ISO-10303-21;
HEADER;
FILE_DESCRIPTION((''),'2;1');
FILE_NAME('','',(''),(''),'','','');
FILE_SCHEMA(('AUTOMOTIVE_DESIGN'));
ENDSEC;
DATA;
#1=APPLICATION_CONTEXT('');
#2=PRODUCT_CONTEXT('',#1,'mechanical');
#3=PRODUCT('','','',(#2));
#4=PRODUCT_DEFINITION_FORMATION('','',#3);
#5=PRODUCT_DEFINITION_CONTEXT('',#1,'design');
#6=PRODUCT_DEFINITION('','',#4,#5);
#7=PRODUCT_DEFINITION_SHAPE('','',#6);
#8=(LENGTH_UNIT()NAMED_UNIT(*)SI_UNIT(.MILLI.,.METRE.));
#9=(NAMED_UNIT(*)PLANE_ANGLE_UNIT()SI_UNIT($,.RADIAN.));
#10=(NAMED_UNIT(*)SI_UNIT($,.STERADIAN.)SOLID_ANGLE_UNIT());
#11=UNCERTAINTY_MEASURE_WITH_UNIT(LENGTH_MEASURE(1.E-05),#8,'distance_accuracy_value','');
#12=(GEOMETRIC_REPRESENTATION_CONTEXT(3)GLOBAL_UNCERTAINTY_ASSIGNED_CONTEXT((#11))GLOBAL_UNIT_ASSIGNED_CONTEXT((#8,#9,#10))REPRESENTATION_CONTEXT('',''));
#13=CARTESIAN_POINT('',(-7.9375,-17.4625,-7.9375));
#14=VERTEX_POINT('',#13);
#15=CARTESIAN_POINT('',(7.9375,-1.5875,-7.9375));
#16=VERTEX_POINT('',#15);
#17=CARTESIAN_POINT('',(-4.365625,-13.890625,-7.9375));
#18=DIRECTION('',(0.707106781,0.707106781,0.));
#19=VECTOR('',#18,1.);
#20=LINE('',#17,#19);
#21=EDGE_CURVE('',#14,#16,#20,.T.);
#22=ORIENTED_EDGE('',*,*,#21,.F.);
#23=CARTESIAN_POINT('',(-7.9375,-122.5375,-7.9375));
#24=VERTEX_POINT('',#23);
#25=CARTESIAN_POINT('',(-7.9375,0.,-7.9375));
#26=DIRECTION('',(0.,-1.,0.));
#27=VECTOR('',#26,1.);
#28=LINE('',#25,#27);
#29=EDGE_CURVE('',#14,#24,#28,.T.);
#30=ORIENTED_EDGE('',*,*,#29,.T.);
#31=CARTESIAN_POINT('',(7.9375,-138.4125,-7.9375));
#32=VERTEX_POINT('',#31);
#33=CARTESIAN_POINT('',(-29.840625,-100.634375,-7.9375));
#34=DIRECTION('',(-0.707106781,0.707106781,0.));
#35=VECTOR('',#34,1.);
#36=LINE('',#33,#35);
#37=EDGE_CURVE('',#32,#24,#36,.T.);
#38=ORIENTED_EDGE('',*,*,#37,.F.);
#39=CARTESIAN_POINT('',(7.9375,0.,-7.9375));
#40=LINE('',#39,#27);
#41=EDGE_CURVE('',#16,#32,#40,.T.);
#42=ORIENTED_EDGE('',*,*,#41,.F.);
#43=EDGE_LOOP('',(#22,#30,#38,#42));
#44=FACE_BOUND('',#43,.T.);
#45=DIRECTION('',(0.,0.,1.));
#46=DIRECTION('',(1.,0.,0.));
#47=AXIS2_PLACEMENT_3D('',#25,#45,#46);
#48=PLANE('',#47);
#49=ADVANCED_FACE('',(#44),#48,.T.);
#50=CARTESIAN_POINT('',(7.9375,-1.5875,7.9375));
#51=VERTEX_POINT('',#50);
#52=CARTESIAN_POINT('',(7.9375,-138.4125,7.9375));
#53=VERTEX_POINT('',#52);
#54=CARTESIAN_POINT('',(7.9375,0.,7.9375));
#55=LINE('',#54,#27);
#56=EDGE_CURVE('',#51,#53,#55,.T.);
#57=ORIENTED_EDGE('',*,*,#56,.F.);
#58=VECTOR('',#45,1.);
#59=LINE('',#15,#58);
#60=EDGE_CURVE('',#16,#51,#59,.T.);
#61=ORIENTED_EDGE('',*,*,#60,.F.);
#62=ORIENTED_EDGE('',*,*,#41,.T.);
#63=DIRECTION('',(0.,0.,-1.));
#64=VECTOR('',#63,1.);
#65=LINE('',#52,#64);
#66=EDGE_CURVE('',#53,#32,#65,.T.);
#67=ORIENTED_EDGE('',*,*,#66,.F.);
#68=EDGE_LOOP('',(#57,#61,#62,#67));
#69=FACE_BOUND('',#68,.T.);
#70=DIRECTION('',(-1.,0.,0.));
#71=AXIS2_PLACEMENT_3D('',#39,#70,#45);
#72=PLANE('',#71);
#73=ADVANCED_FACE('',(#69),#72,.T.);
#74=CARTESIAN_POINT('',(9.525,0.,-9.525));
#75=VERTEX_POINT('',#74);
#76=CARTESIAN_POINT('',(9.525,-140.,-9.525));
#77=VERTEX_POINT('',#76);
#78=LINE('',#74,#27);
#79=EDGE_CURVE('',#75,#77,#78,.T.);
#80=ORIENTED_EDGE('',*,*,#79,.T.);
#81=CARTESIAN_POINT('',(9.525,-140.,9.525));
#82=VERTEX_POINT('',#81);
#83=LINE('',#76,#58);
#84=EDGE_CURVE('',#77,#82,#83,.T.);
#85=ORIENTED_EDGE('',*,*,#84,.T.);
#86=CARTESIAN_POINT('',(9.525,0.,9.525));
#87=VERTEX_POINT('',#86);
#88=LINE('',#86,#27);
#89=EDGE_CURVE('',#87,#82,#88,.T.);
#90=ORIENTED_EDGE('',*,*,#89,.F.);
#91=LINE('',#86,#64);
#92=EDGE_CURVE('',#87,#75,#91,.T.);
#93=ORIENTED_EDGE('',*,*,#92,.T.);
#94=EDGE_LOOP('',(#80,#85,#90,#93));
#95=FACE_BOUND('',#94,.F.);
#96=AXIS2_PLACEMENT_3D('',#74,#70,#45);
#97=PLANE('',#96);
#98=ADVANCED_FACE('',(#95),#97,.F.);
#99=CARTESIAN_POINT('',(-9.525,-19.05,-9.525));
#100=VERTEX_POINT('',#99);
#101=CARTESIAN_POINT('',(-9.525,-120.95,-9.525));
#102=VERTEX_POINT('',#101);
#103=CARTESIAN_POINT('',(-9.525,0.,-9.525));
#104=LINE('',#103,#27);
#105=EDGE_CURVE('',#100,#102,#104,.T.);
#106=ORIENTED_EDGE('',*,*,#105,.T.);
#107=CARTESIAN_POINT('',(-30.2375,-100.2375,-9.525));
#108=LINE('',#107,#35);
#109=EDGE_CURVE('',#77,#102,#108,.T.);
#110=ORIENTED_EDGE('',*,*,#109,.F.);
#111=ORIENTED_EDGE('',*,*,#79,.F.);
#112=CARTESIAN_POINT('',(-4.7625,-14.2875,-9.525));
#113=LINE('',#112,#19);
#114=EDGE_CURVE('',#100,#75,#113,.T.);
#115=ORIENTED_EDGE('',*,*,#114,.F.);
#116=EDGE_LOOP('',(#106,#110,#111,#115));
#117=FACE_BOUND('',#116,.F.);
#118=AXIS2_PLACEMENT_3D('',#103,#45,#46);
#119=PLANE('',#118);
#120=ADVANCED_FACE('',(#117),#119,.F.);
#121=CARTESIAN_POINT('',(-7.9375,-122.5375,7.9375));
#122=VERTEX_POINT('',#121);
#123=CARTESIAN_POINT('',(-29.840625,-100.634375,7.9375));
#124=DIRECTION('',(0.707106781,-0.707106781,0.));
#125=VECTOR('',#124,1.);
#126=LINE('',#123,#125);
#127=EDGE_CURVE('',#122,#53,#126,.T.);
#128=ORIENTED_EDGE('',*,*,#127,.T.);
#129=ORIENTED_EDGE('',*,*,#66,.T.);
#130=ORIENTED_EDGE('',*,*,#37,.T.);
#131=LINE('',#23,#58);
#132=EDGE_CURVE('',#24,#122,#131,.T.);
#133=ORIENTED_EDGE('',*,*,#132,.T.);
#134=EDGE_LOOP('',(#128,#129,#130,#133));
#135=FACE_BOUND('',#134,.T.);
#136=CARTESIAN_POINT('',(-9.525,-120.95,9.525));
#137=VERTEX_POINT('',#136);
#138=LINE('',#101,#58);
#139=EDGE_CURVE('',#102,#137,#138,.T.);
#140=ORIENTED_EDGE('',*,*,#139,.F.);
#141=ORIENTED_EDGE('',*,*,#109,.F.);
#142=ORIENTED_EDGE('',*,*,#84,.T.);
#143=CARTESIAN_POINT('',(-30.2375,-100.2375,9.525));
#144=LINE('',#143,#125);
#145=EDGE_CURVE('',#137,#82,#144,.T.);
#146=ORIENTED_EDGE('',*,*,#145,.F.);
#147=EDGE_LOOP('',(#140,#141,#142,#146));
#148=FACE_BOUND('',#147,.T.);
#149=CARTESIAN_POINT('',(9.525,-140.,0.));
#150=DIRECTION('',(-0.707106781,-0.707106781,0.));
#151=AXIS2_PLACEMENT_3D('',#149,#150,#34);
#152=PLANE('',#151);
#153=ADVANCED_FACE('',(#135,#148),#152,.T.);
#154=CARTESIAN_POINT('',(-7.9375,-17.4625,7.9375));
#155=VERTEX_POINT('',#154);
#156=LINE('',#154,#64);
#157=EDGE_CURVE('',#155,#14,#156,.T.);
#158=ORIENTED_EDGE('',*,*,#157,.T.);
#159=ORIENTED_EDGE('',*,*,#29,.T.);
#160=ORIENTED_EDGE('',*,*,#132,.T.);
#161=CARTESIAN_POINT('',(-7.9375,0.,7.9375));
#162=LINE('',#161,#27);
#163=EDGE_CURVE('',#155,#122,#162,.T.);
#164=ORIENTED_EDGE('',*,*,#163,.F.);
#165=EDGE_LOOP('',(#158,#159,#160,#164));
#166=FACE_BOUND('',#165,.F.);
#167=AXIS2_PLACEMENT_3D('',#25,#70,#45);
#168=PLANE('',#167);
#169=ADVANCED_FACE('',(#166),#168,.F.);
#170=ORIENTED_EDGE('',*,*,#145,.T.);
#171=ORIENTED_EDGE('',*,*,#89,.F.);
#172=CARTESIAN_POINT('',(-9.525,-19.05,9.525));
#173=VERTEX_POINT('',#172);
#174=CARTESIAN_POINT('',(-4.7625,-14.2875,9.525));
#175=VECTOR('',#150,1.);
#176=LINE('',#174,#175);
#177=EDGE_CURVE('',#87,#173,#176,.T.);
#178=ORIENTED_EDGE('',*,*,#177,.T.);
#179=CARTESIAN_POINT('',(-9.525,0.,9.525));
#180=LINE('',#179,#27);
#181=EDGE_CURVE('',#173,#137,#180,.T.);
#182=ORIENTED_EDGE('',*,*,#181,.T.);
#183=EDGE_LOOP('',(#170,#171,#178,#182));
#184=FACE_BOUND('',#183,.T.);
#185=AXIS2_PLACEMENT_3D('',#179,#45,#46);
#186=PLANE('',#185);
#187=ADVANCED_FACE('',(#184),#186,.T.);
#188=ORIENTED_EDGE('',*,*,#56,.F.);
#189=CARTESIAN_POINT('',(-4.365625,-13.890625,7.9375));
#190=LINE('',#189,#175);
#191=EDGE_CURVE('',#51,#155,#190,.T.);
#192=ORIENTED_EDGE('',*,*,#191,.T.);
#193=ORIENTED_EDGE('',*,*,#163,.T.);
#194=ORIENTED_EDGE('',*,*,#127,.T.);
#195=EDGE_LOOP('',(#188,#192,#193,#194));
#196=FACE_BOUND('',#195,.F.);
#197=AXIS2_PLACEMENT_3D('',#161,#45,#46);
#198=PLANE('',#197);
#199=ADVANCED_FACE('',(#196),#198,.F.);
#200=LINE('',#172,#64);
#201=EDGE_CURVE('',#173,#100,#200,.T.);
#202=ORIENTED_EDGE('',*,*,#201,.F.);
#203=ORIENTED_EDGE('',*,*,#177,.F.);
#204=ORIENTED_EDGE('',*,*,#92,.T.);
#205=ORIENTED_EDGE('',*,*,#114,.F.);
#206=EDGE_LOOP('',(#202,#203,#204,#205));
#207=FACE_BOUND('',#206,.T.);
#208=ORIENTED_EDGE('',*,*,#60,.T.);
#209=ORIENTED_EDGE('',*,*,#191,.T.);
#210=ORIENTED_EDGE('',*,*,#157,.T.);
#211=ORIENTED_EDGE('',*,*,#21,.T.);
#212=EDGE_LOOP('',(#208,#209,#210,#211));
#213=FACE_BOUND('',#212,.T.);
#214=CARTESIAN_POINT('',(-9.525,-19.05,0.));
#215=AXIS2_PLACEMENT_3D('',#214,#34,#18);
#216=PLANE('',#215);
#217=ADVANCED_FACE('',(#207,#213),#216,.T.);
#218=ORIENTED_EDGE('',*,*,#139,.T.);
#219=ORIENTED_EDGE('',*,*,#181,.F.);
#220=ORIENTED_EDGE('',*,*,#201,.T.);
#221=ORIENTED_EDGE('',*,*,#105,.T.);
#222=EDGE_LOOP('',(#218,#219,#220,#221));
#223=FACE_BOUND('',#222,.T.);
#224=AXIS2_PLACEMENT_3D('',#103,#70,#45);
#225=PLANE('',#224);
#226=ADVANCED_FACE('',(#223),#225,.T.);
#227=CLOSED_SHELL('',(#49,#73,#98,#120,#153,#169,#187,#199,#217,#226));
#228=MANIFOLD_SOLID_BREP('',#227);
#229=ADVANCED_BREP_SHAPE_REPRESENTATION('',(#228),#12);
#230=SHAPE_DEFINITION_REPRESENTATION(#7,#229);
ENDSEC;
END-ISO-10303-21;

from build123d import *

# Parameters (mm, degrees)
F0_W     = 19.05
F0_H     = 19.05
F0_W_2   = 15.875
F0_H_2   = 15.875
F1_DEPTH = 140
F3_DEPTH = 9.526
F4_DEPTH = 9.526


with BuildPart() as f1:
    # F0 (on Front) → F1 (new body)
    with BuildSketch(Plane.XZ):
        Rectangle(F0_W, F0_H)
        Rectangle(F0_W_2, F0_H_2, mode=Mode.SUBTRACT)
    extrude(amount=F1_DEPTH)

    # F2 (on Top) → F3 (cut, through all)
    with BuildSketch(Plane.XY):
        Polygon((9.525, 0), (-9.525, 0), (-9.525, -19.05), align=None)
        Polygon((-9.525, -120.95), (-9.525, -140), (9.525, -140), align=None)
    extrude(amount=-F3_DEPTH, mode=Mode.SUBTRACT)

    # F2 (on Top) → F4 (cut, through all)
    with BuildSketch(Plane.XY):
        Polygon((9.525, 0), (-9.525, 0), (-9.525, -19.05), align=None)
        Polygon((-9.525, -120.95), (-9.525, -140), (9.525, -140), align=None)
    extrude(amount=F4_DEPTH, mode=Mode.SUBTRACT)


solid = f1.part
